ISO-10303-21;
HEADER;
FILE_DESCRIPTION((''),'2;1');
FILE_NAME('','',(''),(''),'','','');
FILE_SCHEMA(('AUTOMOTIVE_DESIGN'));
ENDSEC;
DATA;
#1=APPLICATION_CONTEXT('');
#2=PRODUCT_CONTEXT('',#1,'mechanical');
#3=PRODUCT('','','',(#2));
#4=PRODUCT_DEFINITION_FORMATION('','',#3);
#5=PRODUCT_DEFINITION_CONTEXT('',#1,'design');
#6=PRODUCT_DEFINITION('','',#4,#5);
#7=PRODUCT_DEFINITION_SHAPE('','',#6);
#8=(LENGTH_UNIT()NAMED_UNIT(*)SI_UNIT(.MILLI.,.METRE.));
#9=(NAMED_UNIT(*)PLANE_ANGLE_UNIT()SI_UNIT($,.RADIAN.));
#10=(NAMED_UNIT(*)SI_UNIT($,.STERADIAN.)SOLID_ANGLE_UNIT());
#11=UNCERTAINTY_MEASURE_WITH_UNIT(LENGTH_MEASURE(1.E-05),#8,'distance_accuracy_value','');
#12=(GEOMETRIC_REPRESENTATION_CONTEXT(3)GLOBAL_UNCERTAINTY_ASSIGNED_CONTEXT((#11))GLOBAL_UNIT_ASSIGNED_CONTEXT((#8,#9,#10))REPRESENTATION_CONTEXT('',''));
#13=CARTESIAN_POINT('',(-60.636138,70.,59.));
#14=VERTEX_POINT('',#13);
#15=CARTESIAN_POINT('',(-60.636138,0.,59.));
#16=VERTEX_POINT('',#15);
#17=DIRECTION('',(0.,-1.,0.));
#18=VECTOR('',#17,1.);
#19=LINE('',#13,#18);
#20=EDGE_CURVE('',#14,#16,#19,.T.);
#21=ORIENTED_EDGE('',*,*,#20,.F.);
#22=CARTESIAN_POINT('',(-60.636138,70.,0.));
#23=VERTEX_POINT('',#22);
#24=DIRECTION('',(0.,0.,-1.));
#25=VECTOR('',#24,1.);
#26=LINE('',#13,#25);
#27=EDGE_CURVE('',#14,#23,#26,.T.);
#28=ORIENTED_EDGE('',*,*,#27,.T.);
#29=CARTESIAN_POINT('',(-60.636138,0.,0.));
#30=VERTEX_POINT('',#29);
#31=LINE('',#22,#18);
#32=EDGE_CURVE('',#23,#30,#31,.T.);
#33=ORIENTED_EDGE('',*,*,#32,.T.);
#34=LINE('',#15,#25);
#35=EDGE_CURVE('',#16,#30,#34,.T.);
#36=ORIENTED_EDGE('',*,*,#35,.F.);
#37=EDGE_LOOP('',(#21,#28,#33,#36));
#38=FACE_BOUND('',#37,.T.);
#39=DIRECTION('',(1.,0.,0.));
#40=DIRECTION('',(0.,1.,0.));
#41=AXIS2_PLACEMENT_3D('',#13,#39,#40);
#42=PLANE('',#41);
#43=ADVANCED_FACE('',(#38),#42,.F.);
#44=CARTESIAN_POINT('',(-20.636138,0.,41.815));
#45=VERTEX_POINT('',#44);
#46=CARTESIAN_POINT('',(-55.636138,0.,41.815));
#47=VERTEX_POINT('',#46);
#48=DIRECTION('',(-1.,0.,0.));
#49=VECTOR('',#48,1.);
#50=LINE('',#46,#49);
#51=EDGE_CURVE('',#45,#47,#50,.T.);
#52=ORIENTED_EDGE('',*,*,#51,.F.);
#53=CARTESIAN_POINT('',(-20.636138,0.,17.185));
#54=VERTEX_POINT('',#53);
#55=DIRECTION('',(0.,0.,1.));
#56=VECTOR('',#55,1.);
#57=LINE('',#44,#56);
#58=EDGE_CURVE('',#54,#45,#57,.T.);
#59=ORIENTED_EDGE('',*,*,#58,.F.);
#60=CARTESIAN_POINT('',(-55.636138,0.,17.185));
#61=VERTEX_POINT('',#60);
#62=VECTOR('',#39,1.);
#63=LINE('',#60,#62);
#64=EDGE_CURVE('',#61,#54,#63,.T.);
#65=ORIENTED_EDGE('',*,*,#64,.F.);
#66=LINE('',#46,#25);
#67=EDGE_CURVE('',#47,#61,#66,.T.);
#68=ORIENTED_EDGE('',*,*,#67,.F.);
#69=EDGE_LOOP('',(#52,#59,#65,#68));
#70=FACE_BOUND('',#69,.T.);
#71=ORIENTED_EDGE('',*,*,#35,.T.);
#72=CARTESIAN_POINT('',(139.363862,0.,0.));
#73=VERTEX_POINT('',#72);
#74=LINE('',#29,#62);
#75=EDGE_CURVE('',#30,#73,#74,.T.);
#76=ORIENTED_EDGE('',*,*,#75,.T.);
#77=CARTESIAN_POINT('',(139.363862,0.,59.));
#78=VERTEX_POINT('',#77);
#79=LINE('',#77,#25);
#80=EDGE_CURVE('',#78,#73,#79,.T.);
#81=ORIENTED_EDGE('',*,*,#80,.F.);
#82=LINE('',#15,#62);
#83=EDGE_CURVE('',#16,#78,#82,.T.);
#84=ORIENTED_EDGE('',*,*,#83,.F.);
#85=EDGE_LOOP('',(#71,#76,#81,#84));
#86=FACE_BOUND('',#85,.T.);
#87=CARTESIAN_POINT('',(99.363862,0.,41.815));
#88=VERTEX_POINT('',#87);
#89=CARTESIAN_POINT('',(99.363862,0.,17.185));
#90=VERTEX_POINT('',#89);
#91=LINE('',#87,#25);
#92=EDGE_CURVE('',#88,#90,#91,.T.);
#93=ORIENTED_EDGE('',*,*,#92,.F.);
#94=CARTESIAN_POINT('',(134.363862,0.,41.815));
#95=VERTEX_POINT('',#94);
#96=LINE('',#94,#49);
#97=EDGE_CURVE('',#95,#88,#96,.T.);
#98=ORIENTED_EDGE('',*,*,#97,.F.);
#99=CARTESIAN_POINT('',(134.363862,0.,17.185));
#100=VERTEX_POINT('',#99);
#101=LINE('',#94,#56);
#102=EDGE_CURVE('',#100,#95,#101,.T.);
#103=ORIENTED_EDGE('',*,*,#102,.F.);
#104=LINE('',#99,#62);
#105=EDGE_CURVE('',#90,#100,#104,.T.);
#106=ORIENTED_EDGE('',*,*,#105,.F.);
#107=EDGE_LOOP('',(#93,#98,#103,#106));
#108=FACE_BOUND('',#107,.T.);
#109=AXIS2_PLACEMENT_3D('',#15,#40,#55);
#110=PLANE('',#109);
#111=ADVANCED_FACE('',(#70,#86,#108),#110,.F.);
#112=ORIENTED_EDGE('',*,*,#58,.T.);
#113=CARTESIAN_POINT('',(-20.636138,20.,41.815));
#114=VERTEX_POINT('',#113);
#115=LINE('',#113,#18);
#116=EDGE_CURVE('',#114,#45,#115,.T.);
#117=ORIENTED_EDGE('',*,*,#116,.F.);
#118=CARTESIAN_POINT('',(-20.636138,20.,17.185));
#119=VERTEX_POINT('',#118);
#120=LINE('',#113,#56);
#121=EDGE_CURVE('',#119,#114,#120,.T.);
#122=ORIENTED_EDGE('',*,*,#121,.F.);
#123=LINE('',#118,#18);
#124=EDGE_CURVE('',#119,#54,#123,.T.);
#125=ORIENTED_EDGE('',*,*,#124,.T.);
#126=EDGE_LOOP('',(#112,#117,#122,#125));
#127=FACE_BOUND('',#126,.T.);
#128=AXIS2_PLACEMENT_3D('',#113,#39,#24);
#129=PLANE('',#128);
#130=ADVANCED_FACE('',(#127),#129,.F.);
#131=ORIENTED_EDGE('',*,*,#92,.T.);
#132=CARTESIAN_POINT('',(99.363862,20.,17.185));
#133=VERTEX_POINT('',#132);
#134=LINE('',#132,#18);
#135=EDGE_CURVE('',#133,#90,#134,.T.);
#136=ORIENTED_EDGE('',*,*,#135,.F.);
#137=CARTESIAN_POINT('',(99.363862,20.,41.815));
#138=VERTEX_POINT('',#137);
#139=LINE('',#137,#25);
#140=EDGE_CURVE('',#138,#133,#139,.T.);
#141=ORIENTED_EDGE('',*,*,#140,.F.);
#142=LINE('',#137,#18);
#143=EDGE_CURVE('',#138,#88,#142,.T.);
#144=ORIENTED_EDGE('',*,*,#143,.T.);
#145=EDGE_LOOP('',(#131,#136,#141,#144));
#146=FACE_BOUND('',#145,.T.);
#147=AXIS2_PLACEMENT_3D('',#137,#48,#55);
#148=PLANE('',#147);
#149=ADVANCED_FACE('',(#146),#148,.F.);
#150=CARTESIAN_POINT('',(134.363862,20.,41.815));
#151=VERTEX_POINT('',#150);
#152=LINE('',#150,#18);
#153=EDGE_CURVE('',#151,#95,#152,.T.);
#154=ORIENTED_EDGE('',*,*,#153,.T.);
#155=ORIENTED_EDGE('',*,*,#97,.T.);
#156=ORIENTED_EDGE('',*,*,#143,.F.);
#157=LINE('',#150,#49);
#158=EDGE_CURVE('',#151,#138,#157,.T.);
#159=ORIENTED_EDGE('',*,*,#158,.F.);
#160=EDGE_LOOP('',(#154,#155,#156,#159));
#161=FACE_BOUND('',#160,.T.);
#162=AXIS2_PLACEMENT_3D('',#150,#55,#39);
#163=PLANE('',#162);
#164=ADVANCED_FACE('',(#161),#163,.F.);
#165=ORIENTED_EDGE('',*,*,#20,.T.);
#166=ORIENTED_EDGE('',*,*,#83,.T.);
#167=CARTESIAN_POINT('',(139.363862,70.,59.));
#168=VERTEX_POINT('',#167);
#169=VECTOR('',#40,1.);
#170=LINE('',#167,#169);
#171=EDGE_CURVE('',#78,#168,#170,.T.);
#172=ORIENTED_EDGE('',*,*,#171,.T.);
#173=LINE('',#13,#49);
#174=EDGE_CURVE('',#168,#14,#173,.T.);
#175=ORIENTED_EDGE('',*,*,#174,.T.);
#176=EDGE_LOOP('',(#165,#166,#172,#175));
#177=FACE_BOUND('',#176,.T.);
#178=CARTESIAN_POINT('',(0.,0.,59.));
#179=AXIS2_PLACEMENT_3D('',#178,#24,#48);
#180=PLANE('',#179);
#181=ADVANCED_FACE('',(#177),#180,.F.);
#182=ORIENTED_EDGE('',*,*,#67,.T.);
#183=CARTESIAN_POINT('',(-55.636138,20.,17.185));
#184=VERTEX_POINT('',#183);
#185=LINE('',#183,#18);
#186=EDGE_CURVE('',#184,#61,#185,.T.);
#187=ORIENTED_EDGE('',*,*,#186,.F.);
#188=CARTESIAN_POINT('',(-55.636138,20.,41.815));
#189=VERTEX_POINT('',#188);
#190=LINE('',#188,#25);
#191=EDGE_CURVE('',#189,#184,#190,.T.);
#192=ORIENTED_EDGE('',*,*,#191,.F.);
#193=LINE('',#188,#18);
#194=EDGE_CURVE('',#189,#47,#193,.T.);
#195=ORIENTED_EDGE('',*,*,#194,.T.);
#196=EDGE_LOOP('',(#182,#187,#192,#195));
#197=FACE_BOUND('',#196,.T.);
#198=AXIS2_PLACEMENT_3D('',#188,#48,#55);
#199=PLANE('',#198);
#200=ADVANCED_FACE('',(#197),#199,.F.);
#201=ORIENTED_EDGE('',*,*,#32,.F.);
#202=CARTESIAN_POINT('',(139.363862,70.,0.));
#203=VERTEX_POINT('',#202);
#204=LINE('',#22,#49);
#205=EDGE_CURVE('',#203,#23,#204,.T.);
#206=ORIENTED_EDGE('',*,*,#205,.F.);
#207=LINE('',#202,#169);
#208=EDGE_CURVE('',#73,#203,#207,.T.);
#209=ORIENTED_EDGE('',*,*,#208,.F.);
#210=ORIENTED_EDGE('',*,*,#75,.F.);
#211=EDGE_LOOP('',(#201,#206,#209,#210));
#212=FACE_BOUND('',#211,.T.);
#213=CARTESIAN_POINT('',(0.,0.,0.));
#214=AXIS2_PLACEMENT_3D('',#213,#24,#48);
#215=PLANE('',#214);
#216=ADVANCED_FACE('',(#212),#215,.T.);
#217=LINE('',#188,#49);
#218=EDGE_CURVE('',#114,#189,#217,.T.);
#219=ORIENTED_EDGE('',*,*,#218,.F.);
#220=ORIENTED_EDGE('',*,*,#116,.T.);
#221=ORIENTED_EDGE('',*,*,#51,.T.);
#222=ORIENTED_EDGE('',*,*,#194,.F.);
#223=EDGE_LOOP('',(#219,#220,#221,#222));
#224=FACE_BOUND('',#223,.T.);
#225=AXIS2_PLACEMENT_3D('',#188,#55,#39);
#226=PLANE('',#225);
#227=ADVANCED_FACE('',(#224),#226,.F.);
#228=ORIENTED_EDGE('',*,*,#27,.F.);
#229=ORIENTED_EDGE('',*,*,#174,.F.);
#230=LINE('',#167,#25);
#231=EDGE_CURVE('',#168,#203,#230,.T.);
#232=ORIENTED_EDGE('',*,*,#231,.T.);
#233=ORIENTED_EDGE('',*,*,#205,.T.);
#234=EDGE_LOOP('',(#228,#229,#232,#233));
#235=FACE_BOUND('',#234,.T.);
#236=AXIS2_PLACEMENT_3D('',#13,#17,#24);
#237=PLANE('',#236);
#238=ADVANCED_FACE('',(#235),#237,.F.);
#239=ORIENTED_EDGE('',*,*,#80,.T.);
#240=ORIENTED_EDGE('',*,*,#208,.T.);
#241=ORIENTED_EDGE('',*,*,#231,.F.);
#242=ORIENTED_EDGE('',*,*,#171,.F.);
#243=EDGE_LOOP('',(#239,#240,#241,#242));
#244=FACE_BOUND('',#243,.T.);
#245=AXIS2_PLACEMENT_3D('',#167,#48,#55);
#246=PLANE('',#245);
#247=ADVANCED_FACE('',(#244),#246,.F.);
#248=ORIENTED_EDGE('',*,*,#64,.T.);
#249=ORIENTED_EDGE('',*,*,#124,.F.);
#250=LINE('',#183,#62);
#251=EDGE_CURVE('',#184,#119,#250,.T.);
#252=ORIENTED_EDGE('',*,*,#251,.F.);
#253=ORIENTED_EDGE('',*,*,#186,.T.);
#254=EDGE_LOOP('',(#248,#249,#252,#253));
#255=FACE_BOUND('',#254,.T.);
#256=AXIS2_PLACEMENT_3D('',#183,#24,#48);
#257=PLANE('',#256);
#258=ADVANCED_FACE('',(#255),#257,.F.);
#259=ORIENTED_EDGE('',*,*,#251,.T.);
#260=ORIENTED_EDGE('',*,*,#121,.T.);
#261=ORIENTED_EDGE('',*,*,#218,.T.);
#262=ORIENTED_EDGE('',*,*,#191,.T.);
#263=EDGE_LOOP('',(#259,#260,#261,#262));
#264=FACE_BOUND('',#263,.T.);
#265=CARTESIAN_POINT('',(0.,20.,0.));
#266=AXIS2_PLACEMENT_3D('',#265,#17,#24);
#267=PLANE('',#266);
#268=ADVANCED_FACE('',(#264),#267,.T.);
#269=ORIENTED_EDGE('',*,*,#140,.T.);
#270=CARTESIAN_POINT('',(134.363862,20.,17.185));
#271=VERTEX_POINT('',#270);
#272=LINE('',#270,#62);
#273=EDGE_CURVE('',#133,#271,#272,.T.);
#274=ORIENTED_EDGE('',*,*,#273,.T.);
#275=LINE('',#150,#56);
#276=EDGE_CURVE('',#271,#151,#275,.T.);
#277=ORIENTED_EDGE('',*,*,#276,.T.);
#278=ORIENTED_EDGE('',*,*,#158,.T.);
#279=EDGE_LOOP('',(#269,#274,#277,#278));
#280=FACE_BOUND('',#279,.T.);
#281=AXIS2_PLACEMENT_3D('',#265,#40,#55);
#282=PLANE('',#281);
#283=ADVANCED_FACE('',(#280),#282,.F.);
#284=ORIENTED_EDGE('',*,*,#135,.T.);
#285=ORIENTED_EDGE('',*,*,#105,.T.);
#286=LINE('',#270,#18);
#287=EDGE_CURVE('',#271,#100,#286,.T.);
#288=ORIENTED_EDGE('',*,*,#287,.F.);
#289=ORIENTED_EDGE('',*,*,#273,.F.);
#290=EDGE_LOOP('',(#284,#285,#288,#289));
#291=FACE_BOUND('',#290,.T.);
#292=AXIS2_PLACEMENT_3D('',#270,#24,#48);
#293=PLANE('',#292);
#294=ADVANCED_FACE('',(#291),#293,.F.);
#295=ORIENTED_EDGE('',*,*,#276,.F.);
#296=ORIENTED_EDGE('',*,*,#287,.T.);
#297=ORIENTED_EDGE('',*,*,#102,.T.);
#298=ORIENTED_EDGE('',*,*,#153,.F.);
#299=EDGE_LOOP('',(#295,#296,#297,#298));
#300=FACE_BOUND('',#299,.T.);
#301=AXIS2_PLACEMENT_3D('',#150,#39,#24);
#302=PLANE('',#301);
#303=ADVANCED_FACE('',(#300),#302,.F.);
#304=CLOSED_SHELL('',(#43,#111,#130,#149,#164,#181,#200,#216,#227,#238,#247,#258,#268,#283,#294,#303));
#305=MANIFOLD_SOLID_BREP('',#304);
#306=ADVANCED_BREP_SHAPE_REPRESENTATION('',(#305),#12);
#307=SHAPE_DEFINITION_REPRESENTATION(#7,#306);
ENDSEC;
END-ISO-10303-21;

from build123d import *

# Parameters (mm, degrees)
SKETCH1_W           = 200
SKETCH1_H           = 70
BOSS_EXTRUDE1_DEPTH = 59
SKETCH5_W           = 35
SKETCH5_H           = 24.63
CUT_EXTRUDE3_DEPTH  = 20


with BuildPart() as part:
    # Sketch1 → Boss-Extrude1 (new body)
    with BuildSketch(Plane.XY):
        with Locations((39.363861945, 35)):
            Rectangle(SKETCH1_W, SKETCH1_H)
    extrude(amount=BOSS_EXTRUDE1_DEPTH)

    # Sketch5 → Cut-Extrude3 (cut)
    with BuildSketch(Plane(origin=(0, 0, 0), x_dir=(-1, 0, 0), z_dir=(0, -1, 0))):
        with Locations((38.136138055, -29.5)):
            Rectangle(SKETCH5_W, SKETCH5_H)
        with Locations((-116.863861945, -29.5)):
            Rectangle(SKETCH5_W, SKETCH5_H)
    extrude(amount=-CUT_EXTRUDE3_DEPTH, mode=Mode.SUBTRACT)


solid = part.part
